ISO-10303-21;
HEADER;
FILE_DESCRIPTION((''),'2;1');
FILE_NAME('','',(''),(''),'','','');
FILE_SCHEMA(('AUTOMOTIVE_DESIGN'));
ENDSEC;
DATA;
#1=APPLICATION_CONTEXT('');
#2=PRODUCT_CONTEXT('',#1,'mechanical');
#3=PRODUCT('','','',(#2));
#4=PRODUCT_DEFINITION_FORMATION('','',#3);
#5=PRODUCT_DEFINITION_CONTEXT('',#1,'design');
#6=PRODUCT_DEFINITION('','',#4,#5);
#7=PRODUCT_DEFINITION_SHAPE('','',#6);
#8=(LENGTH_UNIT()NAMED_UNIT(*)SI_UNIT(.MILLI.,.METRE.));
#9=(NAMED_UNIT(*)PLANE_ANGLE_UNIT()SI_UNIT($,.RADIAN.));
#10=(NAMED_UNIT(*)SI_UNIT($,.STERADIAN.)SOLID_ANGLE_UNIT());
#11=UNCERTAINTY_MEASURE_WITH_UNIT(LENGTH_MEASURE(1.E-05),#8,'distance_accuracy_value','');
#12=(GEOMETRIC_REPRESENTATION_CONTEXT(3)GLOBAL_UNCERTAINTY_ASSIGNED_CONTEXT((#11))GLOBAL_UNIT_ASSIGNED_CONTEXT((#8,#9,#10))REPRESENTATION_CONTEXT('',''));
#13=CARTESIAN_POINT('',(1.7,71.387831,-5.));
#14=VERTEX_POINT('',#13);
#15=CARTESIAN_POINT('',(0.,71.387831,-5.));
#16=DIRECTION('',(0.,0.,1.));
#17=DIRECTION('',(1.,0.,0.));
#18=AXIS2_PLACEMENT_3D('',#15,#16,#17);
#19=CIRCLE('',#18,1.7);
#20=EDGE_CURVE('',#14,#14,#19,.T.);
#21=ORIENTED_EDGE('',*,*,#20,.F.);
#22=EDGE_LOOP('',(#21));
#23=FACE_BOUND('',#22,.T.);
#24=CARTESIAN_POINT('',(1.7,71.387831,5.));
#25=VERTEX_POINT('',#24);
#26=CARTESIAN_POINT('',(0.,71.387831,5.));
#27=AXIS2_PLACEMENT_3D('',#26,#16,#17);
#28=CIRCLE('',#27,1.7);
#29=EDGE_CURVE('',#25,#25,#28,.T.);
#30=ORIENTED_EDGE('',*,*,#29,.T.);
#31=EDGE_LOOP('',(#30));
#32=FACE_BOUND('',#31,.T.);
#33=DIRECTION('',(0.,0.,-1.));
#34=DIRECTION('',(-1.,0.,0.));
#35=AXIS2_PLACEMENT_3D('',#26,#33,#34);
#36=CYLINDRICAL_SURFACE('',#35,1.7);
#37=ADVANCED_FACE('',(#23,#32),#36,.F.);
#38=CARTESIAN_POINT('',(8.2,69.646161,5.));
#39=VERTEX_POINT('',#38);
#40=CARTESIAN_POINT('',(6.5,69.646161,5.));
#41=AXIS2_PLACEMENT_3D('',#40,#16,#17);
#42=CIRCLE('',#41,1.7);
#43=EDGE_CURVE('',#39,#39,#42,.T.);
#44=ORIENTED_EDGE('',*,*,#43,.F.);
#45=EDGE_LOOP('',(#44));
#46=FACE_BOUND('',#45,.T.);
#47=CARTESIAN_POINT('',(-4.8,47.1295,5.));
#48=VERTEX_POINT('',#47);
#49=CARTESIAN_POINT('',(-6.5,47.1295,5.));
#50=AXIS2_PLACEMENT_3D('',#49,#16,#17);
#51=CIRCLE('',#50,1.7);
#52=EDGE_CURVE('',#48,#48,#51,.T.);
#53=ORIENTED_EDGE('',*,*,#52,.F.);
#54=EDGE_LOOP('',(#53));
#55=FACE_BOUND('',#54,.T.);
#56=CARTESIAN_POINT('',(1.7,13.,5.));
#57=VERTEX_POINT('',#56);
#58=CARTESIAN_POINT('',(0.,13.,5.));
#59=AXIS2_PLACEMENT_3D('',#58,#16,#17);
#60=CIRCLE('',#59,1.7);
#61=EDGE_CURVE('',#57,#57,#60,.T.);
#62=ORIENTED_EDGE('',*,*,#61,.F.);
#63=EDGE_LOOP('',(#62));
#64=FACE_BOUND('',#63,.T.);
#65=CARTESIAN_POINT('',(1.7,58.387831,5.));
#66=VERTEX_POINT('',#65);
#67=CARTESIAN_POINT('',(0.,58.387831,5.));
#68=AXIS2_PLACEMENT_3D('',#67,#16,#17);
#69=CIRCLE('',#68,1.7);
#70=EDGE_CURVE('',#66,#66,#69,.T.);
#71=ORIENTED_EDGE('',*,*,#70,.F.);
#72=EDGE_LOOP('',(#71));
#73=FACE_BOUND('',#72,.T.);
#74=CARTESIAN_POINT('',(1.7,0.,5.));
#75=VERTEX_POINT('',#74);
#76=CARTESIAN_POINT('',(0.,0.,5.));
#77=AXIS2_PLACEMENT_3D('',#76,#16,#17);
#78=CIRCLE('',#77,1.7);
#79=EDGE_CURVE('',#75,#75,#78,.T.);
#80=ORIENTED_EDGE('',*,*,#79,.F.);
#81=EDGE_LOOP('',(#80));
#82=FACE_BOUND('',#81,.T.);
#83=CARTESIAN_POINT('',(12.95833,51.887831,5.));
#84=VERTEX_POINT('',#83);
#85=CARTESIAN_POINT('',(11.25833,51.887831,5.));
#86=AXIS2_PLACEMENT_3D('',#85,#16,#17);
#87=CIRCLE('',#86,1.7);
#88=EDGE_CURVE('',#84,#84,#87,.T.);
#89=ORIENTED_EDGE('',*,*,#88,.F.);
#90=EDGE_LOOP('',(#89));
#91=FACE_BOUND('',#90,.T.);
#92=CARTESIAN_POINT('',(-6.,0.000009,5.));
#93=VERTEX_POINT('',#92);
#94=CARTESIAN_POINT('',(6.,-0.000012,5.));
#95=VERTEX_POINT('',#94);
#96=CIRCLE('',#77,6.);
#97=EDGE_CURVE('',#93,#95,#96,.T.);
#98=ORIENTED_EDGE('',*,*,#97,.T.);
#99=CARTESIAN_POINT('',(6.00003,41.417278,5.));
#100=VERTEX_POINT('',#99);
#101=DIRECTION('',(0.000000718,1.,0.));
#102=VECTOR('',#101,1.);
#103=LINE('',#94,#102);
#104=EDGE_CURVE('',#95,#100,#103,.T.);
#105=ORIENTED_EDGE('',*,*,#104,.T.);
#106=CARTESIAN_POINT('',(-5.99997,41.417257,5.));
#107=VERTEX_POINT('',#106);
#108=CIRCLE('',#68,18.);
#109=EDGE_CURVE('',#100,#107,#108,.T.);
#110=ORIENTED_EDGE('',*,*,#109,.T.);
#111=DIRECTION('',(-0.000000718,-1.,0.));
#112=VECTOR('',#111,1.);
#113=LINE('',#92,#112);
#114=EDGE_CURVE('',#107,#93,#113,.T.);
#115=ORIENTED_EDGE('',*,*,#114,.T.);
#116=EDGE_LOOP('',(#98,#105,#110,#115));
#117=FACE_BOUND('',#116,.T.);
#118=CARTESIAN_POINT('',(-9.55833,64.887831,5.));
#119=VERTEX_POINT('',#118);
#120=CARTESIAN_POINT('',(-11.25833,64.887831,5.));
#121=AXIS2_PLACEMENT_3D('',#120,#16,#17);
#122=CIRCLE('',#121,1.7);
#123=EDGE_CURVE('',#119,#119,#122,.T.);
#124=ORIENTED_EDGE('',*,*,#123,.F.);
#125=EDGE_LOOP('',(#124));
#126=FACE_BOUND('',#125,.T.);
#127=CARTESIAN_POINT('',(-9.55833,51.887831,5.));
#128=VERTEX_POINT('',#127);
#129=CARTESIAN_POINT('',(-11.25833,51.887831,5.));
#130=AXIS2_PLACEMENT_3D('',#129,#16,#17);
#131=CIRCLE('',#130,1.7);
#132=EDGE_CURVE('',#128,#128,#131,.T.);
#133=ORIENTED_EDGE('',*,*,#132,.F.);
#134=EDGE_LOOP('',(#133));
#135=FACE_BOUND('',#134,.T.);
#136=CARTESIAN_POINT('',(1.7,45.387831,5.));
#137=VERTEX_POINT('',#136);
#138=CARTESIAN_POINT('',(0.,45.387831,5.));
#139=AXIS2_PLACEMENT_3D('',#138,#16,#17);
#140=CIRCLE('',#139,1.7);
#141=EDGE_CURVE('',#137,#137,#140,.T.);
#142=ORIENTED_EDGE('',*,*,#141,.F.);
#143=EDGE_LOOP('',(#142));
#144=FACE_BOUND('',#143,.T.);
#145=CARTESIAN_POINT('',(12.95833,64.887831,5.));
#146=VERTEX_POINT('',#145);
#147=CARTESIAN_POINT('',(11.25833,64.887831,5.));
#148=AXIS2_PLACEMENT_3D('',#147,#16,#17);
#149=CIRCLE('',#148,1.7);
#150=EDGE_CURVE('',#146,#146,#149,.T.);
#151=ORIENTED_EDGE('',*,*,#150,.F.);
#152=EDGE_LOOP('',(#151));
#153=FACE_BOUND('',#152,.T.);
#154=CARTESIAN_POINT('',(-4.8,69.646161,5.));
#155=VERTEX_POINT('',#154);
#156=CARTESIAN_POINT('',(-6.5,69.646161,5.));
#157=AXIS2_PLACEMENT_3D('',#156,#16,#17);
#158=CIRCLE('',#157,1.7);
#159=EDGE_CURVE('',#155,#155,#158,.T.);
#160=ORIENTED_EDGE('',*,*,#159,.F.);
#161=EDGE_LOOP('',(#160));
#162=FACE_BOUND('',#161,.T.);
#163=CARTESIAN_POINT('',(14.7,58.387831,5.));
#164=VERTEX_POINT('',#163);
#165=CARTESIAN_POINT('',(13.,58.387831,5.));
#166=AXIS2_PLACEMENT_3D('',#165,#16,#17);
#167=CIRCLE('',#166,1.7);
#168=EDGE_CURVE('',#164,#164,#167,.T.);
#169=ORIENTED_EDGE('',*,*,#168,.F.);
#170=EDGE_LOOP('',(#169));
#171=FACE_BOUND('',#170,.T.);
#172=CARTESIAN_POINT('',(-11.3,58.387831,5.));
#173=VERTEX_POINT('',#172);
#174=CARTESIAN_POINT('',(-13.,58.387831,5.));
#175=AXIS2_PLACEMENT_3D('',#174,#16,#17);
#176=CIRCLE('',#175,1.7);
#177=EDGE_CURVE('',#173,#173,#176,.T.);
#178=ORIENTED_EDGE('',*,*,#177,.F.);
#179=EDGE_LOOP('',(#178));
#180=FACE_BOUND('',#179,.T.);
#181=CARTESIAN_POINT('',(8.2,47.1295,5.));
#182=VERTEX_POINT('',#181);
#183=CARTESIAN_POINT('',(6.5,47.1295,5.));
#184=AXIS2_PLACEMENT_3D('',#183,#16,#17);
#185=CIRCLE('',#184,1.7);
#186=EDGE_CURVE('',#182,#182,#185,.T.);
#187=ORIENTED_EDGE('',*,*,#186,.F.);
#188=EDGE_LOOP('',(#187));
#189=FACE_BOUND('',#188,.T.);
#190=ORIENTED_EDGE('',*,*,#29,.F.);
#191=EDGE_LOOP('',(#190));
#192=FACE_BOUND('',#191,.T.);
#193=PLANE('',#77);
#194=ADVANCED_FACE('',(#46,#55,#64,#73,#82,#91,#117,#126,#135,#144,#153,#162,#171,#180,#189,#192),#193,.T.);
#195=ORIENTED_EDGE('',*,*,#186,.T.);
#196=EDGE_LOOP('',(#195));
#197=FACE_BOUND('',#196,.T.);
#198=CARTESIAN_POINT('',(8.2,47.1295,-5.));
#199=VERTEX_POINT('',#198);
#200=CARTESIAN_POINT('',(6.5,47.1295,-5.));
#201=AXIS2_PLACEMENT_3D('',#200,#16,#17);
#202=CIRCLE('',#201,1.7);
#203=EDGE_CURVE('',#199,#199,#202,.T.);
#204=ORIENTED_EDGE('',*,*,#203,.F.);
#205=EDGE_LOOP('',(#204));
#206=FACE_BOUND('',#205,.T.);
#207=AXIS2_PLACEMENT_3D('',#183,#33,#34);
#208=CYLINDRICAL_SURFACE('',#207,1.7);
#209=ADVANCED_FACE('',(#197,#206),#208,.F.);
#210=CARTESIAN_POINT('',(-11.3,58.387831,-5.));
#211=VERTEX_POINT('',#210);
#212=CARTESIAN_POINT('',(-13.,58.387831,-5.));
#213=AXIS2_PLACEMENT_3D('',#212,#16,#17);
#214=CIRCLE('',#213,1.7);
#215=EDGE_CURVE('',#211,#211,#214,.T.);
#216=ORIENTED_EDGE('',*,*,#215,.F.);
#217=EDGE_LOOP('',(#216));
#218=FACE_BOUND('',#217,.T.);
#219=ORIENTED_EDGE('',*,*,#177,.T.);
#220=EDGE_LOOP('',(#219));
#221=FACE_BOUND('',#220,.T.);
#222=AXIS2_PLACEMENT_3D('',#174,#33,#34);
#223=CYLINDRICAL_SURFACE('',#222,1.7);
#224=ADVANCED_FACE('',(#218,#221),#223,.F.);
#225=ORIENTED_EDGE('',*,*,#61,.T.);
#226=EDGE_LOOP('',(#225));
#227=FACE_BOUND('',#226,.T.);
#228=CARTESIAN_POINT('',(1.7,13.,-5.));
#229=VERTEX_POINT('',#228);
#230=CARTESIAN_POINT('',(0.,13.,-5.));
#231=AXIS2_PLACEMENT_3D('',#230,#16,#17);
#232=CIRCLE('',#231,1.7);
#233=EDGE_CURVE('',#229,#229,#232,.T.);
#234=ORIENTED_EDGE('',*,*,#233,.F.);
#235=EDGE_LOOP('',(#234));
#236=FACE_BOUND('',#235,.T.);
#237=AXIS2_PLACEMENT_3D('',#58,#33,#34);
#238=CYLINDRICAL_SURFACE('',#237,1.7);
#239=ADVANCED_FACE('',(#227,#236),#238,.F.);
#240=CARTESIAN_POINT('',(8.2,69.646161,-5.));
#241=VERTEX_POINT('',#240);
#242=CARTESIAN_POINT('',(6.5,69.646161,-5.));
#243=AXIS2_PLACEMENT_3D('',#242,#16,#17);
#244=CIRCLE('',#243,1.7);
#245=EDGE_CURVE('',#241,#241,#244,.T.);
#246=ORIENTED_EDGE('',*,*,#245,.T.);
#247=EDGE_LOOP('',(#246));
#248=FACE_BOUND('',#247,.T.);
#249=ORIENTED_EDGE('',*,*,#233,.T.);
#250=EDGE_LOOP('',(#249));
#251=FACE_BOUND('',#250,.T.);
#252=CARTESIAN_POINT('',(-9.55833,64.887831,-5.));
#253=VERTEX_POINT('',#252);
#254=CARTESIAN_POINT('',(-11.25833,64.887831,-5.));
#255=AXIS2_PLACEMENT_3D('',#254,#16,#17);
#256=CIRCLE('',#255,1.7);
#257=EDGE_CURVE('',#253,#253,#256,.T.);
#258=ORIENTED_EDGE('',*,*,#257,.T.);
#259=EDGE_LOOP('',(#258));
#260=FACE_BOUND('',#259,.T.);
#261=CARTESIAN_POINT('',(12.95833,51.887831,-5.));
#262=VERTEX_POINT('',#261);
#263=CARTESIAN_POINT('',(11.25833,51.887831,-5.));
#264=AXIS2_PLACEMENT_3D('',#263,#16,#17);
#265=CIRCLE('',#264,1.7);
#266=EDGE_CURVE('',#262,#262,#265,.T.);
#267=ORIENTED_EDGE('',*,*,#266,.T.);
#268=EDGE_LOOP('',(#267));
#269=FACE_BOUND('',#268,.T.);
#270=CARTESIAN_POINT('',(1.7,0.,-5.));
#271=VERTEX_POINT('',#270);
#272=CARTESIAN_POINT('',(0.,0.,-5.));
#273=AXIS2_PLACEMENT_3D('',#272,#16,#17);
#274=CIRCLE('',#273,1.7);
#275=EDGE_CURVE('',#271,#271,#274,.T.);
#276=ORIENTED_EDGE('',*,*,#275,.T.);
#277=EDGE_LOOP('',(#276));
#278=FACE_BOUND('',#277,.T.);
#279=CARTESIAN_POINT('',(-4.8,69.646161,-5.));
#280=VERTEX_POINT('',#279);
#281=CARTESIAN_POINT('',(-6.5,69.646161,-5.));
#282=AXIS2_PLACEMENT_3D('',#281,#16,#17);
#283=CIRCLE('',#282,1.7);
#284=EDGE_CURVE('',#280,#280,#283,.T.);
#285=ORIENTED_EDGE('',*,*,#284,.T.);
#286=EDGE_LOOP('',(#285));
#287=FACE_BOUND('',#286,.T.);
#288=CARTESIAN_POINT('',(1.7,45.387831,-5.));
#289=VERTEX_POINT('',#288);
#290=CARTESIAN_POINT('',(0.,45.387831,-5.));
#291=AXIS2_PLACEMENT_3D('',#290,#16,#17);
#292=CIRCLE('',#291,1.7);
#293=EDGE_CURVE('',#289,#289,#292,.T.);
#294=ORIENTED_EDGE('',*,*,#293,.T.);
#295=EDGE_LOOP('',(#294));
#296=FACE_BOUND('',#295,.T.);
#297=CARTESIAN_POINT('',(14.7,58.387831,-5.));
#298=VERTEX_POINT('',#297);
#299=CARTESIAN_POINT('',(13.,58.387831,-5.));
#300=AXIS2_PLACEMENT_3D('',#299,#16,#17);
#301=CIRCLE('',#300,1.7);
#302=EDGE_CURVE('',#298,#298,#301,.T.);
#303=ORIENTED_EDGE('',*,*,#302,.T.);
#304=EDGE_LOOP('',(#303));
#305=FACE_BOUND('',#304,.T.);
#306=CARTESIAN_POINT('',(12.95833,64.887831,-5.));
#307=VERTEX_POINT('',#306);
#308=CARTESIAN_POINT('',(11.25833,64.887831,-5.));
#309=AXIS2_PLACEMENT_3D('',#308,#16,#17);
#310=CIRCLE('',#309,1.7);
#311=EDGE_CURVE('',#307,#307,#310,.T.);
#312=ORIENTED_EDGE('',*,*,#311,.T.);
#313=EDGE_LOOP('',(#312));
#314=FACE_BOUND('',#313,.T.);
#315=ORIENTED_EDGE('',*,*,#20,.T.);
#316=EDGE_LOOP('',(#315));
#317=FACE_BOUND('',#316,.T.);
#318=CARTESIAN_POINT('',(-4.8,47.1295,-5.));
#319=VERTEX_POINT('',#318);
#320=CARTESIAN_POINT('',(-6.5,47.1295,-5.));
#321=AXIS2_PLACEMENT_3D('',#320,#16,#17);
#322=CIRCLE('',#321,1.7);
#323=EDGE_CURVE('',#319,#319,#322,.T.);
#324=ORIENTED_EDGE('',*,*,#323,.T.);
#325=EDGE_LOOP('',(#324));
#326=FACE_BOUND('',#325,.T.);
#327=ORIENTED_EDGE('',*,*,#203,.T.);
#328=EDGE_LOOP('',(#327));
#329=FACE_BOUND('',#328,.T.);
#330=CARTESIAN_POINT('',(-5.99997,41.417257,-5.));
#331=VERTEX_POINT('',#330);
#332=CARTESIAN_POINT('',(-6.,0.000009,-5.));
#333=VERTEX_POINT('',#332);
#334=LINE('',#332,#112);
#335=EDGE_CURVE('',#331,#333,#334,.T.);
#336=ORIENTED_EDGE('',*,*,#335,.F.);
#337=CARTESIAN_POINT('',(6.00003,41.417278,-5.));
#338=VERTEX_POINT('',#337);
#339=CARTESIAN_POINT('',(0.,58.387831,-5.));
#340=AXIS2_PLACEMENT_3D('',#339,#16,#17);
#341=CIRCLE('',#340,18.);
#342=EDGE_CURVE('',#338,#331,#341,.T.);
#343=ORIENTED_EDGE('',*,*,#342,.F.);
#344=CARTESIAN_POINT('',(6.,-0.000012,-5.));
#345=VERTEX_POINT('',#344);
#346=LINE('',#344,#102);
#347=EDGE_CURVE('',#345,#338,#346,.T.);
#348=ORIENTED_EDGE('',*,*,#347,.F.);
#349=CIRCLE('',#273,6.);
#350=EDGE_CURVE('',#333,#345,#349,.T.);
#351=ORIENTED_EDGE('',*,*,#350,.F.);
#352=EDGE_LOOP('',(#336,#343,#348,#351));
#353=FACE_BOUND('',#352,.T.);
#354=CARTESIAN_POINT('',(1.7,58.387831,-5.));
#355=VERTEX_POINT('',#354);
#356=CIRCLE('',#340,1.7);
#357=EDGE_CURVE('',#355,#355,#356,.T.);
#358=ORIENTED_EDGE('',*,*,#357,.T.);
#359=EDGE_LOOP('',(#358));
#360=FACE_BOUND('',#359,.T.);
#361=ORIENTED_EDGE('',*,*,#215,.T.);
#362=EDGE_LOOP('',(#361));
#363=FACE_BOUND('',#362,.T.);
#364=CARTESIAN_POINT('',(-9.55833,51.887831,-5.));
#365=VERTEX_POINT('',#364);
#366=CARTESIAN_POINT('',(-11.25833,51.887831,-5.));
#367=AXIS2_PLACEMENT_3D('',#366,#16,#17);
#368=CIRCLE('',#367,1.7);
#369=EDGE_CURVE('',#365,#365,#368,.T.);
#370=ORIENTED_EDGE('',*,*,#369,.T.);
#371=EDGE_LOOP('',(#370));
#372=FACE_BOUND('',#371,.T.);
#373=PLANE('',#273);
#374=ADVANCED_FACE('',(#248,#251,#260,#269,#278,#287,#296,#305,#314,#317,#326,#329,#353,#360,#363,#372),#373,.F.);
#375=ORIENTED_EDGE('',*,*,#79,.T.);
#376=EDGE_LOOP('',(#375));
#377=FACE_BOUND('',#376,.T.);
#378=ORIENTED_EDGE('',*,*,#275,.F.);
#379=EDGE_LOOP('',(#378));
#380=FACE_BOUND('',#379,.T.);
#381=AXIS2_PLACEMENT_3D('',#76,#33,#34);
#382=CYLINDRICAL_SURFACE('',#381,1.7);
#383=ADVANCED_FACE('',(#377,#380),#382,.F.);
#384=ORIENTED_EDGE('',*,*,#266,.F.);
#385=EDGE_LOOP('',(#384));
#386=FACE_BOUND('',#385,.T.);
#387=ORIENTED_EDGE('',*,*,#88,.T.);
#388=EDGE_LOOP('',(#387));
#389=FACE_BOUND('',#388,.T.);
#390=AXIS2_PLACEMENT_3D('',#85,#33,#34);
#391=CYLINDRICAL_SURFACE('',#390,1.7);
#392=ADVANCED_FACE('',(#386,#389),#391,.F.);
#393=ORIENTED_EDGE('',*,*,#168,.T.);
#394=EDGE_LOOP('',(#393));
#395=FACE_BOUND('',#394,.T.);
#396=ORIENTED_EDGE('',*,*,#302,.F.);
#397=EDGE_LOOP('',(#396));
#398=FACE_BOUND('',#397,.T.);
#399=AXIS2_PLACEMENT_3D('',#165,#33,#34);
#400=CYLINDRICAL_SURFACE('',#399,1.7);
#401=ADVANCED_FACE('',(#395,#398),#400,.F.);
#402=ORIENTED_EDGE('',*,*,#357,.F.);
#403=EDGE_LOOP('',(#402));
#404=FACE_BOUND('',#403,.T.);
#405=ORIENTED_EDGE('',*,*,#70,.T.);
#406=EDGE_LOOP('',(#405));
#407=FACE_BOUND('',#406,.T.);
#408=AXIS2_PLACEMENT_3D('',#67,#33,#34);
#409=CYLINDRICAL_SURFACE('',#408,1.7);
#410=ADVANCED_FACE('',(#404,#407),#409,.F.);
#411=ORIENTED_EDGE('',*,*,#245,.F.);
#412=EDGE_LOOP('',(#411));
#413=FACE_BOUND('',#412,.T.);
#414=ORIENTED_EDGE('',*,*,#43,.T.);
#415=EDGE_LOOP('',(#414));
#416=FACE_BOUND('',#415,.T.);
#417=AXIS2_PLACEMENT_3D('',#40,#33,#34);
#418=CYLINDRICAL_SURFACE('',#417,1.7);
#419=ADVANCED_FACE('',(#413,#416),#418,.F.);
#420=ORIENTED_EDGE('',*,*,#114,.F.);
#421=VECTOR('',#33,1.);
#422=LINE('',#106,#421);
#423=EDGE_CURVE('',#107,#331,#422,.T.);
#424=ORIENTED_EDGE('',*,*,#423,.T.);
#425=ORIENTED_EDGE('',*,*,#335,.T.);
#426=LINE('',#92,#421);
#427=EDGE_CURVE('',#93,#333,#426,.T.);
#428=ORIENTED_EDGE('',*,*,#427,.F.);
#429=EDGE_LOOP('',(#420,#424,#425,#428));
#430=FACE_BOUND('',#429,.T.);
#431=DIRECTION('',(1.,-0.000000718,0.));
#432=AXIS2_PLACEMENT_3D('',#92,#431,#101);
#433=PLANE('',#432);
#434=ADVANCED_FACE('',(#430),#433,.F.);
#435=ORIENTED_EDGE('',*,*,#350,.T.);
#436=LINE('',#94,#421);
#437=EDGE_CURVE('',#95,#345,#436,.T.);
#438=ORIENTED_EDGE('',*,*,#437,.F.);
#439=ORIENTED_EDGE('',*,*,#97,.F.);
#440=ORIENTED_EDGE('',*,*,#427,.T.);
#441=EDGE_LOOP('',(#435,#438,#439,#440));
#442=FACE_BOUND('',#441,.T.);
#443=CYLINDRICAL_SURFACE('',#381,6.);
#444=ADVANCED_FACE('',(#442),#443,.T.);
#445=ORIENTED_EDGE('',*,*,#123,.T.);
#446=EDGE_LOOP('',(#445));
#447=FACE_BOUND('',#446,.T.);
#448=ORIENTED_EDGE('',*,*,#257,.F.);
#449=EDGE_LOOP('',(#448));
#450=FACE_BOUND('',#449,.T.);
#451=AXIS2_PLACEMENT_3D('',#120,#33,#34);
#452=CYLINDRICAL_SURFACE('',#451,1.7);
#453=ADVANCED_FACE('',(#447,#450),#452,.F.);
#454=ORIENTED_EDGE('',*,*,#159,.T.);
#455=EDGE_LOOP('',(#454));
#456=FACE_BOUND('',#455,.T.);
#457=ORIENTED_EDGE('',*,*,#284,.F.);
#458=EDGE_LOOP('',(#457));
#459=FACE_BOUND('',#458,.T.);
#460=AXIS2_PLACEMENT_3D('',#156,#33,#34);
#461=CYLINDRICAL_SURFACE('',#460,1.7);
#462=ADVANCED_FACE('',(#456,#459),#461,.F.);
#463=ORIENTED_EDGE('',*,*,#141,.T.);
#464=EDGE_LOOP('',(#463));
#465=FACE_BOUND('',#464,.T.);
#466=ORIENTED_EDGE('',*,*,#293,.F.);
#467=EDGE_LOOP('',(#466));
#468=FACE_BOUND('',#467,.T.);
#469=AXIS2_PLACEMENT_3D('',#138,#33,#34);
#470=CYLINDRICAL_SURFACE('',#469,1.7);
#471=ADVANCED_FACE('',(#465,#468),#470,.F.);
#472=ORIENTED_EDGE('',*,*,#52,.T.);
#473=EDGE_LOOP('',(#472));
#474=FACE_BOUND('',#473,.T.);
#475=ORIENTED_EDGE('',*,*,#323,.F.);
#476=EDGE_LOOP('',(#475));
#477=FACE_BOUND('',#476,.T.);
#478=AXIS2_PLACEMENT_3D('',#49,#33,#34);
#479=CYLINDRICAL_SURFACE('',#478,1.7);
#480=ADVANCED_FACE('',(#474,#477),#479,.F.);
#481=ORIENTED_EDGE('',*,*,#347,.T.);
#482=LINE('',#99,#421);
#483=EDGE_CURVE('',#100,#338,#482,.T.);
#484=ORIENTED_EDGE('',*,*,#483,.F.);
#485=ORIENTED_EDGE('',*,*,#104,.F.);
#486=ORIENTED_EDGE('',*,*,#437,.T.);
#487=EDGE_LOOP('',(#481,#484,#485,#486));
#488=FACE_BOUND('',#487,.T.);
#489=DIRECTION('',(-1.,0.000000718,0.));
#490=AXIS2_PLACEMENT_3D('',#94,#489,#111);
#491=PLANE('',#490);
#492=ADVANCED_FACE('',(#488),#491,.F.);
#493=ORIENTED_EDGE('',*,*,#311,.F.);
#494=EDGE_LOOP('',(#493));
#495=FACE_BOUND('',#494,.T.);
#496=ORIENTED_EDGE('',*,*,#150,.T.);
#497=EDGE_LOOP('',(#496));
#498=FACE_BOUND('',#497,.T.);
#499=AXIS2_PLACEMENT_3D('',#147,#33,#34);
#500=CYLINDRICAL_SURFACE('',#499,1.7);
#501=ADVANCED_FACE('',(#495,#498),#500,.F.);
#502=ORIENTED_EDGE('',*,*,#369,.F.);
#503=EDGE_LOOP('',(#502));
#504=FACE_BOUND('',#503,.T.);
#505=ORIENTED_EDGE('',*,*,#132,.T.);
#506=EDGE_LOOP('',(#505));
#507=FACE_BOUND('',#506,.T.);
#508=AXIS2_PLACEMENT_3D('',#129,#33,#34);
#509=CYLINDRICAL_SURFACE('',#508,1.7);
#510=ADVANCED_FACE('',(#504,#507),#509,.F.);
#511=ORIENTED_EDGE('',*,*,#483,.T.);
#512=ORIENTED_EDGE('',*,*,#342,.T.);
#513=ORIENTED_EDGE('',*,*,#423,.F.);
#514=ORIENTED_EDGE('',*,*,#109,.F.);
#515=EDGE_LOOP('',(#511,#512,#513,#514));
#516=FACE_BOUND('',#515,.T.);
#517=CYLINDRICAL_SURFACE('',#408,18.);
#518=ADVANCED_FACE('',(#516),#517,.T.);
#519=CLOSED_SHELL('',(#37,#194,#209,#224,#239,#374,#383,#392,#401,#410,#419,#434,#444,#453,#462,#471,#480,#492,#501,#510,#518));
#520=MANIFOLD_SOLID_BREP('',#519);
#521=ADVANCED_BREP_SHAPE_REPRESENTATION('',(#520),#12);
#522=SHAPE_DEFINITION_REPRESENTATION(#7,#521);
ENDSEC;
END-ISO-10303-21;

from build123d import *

# Parameters (mm, degrees)
SKETCH1_R           = 1.7
BOSS_EXTRUDE1_DEPTH = 5


with BuildPart() as part:
    # Sketch1 → Boss-Extrude1 (new, symmetric)
    with BuildSketch(Plane.XY):
        with BuildLine():
            Line((-6, 9.245e-06), (-5.999970251, 41.417257276))
            ThreePointArc((-5.999970251, 41.417257276), (-3.1553e-05, 76.387830542), (6.000029749, 41.417278312))
            Line((6.000029749, 41.417278312), (6, -1.1791e-05))
            ThreePointArc((6, -1.1791e-05), (-1.0518e-05, -6), (-6, 9.245e-06))
        make_face()
        Circle(SKETCH1_R, mode=Mode.SUBTRACT)
        with Locations((0, 13)):
            Circle(SKETCH1_R, mode=Mode.SUBTRACT)
        with Locations((0, 58.387830542)):
            Circle(SKETCH1_R, mode=Mode.SUBTRACT)
        with Locations((0, 45.387830542)):
            Circle(SKETCH1_R, mode=Mode.SUBTRACT)
        with Locations((-6.5, 47.129500293)):
            Circle(SKETCH1_R, mode=Mode.SUBTRACT)
        with Locations((-11.258330249, 51.887830542)):
            Circle(SKETCH1_R, mode=Mode.SUBTRACT)
        with Locations((-13, 58.387830542)):
            Circle(SKETCH1_R, mode=Mode.SUBTRACT)
        with Locations((-11.258330249, 64.887830542)):
            Circle(SKETCH1_R, mode=Mode.SUBTRACT)
        with Locations((-6.5, 69.646160791)):
            Circle(SKETCH1_R, mode=Mode.SUBTRACT)
        with Locations((0, 71.387830542)):
            Circle(SKETCH1_R, mode=Mode.SUBTRACT)
        with Locations((6.5, 69.646160791)):
            Circle(SKETCH1_R, mode=Mode.SUBTRACT)
        with Locations((11.258330249, 64.887830542)):
            Circle(SKETCH1_R, mode=Mode.SUBTRACT)
        with Locations((13, 58.387830542)):
            Circle(SKETCH1_R, mode=Mode.SUBTRACT)
        with Locations((11.258330249, 51.887830542)):
            Circle(SKETCH1_R, mode=Mode.SUBTRACT)
        with Locations((6.5, 47.129500293)):
            Circle(SKETCH1_R, mode=Mode.SUBTRACT)
    extrude(amount=BOSS_EXTRUDE1_DEPTH, both=True)


solid = part.part
